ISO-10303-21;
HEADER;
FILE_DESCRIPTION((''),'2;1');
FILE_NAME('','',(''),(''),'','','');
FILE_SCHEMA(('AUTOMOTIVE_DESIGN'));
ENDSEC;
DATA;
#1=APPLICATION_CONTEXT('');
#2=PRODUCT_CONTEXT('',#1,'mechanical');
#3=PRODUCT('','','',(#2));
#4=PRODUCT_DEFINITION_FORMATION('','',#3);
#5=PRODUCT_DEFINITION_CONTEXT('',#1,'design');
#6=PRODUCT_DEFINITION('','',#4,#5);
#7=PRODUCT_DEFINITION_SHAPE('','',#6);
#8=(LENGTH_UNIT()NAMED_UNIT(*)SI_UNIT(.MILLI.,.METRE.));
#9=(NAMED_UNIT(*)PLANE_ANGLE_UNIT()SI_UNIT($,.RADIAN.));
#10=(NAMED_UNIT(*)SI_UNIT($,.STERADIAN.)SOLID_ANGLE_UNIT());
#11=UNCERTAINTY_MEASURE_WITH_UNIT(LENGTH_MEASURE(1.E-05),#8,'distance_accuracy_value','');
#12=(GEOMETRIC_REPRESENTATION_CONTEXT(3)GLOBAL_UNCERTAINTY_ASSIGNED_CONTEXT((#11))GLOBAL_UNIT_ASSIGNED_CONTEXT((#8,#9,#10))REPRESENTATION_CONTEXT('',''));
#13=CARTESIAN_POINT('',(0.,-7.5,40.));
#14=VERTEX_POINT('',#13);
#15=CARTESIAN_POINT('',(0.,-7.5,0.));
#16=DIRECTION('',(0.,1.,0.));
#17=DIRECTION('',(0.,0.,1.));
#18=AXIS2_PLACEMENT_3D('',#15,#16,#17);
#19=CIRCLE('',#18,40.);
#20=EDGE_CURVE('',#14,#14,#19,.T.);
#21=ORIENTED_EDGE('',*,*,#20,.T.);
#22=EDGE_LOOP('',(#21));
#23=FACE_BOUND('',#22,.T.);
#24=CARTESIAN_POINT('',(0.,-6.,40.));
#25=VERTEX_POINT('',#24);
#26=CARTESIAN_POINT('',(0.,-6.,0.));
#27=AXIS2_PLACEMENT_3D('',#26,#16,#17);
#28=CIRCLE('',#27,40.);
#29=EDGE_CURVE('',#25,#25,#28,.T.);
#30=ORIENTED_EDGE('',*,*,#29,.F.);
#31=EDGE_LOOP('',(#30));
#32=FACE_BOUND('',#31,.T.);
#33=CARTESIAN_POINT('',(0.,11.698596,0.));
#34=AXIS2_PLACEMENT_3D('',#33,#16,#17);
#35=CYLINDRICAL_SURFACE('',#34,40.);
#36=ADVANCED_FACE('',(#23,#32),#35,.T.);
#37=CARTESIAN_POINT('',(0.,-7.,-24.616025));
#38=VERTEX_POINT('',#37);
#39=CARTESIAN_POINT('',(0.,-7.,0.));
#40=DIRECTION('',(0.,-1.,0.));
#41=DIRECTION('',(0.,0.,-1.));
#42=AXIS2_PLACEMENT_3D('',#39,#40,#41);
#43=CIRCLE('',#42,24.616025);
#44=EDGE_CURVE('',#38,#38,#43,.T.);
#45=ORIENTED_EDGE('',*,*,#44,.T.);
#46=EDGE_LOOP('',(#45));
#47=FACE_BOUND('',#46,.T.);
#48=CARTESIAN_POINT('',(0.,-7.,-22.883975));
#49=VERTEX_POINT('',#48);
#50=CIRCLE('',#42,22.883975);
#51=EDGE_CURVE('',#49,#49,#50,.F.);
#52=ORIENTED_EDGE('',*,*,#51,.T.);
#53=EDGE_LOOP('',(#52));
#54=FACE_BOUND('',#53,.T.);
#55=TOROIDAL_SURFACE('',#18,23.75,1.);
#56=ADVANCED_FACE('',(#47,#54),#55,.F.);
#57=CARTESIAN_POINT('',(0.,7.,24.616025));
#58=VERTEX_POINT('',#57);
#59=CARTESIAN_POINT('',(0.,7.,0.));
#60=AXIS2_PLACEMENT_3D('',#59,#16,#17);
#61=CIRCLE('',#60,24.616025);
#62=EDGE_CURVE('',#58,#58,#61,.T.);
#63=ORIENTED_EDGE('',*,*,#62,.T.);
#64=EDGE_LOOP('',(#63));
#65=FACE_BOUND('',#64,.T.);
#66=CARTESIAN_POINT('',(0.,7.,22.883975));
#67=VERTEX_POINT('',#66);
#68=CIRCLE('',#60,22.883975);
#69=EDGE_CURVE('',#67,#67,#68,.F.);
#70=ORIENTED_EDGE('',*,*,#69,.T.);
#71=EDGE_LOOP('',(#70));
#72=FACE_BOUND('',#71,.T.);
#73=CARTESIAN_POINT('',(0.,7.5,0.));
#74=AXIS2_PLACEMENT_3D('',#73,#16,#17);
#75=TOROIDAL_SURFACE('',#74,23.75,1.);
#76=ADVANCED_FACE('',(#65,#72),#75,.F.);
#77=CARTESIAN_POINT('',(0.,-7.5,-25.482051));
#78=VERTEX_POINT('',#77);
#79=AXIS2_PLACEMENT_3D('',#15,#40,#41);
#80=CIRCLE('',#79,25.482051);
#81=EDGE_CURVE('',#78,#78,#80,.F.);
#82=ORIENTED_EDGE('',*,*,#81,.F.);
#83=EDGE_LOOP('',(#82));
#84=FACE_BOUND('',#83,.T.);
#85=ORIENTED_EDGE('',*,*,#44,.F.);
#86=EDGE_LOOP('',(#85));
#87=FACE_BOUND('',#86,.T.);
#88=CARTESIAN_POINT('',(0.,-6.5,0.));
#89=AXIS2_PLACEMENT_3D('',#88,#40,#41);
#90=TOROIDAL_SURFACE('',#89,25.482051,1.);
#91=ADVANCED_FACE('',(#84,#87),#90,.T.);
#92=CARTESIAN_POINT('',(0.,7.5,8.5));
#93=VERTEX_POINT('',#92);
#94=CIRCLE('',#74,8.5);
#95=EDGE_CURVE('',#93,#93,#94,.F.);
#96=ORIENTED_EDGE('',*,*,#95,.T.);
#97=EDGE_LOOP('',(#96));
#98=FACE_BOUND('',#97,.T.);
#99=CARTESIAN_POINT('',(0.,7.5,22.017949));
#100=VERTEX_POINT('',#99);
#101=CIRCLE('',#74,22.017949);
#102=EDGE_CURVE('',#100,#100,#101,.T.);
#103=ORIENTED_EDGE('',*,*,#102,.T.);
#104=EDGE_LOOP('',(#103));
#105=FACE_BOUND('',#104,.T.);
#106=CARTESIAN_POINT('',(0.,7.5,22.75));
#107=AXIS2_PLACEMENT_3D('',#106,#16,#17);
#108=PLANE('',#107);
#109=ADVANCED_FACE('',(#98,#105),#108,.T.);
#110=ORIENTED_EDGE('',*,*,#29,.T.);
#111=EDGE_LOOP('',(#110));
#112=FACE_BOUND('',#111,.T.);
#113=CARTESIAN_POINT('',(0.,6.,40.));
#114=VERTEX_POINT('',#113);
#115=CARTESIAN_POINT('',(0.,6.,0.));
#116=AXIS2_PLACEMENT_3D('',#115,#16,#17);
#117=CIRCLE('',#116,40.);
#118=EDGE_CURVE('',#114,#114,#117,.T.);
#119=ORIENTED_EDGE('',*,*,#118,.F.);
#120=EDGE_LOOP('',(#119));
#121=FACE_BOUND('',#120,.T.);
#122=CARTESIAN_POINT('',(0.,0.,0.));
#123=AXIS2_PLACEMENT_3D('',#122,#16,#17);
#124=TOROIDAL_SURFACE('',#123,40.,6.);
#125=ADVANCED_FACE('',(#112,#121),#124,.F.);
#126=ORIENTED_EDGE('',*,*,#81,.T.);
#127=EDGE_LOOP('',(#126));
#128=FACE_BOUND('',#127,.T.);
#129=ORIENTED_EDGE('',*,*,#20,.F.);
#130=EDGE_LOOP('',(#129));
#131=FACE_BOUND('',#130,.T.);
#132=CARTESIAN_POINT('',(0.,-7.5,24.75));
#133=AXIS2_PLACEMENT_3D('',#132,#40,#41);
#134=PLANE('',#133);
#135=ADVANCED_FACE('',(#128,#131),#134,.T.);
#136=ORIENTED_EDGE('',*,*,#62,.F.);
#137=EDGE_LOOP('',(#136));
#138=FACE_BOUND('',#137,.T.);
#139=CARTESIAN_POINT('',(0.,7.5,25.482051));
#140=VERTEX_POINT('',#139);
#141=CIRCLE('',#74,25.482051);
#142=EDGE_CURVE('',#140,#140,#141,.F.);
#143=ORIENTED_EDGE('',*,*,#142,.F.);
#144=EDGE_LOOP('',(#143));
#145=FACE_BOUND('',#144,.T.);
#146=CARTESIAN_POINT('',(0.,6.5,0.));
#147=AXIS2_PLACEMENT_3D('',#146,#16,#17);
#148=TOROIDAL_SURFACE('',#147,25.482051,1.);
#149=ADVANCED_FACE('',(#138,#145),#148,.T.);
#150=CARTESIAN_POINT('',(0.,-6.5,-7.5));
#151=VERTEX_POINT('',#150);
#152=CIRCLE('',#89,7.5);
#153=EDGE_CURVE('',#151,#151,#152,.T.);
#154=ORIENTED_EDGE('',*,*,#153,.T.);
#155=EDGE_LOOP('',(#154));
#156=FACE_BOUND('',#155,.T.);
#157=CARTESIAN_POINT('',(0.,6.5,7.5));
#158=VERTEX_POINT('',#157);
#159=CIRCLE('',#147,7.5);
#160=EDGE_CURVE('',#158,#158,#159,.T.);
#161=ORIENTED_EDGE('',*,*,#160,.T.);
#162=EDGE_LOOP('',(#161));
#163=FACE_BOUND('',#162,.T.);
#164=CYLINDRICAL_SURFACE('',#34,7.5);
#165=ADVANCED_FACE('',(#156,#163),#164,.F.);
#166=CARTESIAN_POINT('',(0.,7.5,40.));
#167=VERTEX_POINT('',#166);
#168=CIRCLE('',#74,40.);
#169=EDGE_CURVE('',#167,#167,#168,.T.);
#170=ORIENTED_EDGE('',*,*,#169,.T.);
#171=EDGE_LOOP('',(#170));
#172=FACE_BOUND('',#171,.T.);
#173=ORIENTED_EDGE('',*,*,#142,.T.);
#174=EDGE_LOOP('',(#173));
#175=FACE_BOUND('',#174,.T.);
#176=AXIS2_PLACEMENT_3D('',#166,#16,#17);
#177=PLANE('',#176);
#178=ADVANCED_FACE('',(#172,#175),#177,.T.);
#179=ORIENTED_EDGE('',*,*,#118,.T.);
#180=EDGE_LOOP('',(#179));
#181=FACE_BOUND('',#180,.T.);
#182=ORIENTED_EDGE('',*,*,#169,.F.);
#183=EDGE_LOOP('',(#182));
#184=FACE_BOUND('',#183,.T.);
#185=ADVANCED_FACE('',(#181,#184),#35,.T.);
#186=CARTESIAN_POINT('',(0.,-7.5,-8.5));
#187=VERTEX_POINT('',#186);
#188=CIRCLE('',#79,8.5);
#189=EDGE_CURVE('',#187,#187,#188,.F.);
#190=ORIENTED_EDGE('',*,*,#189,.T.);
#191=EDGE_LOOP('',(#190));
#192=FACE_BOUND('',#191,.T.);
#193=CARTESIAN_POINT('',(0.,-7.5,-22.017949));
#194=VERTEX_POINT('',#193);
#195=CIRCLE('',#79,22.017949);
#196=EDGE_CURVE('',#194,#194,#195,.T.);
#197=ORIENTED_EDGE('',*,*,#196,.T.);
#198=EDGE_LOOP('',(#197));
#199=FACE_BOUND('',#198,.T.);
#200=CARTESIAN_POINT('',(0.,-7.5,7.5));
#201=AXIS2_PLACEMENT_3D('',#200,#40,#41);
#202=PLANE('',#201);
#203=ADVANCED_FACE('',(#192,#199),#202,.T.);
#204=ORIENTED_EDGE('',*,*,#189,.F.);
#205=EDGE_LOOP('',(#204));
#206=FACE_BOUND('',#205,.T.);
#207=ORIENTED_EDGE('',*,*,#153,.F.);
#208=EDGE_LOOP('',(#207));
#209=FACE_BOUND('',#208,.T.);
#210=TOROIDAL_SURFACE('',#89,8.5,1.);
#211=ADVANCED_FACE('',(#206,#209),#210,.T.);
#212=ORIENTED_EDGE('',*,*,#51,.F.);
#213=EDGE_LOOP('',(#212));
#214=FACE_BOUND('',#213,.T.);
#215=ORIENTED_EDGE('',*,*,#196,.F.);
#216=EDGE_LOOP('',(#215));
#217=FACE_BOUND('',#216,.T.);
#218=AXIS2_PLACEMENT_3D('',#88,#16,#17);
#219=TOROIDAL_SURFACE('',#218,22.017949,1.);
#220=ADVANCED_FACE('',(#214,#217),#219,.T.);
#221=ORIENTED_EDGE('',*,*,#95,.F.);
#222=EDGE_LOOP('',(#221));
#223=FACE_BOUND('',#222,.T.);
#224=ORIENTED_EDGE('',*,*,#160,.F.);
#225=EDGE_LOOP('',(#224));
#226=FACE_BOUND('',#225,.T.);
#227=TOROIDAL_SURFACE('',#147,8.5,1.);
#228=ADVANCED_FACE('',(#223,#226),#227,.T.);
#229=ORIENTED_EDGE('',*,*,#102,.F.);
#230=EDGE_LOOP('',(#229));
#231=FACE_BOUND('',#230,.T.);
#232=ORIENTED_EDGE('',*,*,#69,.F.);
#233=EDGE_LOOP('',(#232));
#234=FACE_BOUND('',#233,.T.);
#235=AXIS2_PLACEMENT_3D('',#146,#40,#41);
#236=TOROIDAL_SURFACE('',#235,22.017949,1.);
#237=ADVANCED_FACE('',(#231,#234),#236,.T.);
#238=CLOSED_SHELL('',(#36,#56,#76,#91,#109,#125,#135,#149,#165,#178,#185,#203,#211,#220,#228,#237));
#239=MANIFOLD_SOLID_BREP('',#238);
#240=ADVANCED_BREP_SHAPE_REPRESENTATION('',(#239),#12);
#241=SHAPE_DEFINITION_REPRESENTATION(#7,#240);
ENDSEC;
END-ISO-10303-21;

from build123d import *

# Parameters (mm, degrees)
FILLET2_R = 1
FILLET3_R = 1


with BuildPart() as part:
    # Sketch1 → Revolve1 (revolve)
    with BuildSketch(Plane(origin=(0, 0, 0), x_dir=(0, 0, -1), z_dir=(1, 0, 0))):
        with BuildLine():
            Line((-7.5, -7.5), (-22.75, -7.5))
            ThreePointArc((-22.75, -7.5), (-23.75, -6.5), (-24.75, -7.5))
            Line((-24.75, -7.5), (-40, -7.5))
            Line((-40, -7.5), (-40, -6))
            ThreePointArc((-40, -6), (-34, 0), (-40, 6))
            Line((-40, 6), (-40, 7.5))
            Line((-40, 7.5), (-24.75, 7.5))
            ThreePointArc((-24.75, 7.5), (-23.75, 6.5), (-22.75, 7.5))
            Line((-22.75, 7.5), (-7.5, 7.5))
            Line((-7.5, 7.5), (-7.5, -7.5))
        make_face()
    revolve(axis=Axis((0, 11.698596208, 0), (0, -1, 0)))

    # Fillet2
    fillet2_edges = [part.edges().sort_by_distance(p)[0] for p in [
        (0, -7.5, -24.75),
        (0, -7.5, -22.75),
        (0, 7.5, -22.75),
        (0, 7.5, -24.75),
    ]]
    fillet(fillet2_edges, radius=FILLET2_R)

    # Fillet3
    fillet3_edges = [part.edges().sort_by_distance(p)[0] for p in [
        (0, -7.5, -7.5),
        (0, 7.5, -7.5),
    ]]
    fillet(fillet3_edges, radius=FILLET3_R)


solid = part.part
